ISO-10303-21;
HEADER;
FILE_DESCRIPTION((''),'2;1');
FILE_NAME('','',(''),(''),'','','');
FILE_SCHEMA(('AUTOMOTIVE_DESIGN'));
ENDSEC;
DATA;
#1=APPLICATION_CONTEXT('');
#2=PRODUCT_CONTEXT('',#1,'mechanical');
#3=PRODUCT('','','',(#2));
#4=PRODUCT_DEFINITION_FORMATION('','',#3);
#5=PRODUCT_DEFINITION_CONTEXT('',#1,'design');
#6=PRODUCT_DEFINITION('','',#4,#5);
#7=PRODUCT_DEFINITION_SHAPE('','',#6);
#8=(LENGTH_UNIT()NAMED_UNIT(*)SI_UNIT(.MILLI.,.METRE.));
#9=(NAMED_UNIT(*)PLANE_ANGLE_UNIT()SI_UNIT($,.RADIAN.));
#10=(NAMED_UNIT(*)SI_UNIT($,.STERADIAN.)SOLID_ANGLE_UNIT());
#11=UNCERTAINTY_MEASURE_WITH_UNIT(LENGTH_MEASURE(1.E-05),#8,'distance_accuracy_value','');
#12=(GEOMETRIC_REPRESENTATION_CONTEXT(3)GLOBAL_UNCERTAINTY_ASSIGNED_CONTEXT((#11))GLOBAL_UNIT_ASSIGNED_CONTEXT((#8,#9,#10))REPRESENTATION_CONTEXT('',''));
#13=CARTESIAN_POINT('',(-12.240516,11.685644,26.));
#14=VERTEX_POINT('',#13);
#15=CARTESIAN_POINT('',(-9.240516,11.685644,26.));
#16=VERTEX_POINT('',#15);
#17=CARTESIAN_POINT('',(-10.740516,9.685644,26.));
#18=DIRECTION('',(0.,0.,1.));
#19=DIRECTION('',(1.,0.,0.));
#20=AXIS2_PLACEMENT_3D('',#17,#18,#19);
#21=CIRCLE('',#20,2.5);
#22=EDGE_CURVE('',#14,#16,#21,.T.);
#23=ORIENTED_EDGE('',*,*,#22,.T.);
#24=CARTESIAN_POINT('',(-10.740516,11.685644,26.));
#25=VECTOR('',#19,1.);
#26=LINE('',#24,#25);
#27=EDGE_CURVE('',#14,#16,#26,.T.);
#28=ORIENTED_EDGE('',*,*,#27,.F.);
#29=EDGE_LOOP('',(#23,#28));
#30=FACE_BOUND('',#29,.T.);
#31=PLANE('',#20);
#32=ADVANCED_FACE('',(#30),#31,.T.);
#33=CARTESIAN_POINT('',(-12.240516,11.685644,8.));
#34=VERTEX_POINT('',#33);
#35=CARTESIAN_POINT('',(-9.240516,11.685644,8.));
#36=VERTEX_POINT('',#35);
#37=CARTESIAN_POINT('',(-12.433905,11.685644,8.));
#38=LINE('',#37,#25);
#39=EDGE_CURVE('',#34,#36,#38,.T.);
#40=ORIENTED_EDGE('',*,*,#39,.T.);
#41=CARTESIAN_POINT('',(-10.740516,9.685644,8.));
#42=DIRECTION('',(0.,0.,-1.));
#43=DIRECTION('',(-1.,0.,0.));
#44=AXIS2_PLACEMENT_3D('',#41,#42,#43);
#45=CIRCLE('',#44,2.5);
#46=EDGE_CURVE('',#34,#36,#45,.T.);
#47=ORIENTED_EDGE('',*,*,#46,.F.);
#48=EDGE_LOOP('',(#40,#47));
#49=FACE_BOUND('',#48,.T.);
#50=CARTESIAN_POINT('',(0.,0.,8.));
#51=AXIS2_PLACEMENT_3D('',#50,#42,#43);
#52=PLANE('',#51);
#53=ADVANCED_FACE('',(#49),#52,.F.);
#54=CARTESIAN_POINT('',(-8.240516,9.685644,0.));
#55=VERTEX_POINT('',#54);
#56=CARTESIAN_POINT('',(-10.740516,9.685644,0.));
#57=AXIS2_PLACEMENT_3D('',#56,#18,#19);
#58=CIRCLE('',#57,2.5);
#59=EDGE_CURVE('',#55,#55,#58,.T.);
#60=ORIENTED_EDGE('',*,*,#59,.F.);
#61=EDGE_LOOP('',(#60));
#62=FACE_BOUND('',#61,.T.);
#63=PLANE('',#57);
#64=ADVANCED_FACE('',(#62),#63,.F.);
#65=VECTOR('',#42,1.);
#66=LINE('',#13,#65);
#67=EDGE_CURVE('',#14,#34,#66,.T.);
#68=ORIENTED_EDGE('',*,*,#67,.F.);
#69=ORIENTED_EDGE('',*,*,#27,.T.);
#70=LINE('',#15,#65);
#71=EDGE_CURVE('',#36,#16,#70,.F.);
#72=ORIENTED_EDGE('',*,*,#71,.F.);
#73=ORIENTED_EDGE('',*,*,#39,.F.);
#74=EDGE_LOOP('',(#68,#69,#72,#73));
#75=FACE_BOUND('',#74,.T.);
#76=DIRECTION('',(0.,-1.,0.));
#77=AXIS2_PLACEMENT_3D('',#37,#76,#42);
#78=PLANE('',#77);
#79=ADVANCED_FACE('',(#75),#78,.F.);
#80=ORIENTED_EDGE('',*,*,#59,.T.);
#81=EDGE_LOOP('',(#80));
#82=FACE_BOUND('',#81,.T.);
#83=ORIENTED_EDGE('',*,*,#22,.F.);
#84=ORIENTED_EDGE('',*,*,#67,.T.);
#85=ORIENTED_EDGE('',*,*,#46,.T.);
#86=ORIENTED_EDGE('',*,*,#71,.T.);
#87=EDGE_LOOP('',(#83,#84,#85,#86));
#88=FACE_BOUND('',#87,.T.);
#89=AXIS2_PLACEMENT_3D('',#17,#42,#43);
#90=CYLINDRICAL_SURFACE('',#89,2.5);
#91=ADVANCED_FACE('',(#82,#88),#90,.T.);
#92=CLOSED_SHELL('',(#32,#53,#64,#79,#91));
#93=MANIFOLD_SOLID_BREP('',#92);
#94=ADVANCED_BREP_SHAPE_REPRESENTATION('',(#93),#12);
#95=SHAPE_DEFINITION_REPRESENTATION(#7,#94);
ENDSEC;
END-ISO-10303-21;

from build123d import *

# Parameters (mm, degrees)
SKETCH1_R           = 2.5
BOSS_EXTRUDE1_DEPTH = 26
SKETCH2_W           = 3.423588914
SKETCH2_H           = 0.513616332
CUT_EXTRUDE2_DEPTH  = 18


with BuildPart() as part:
    # Sketch1 → Boss-Extrude1 (new body)
    with BuildSketch(Plane.XY):
        with Locations((-10.740516012, 9.685643904)):
            Circle(SKETCH1_R)
    extrude(amount=BOSS_EXTRUDE1_DEPTH)

    # Sketch2 → Cut-Extrude2 (cut)
    with BuildSketch(Plane.XY.offset(26)):
        with Locations((-10.722110774, 11.94245207)):
            Rectangle(SKETCH2_W, SKETCH2_H)
    extrude(amount=-CUT_EXTRUDE2_DEPTH, mode=Mode.SUBTRACT)


solid = part.part
